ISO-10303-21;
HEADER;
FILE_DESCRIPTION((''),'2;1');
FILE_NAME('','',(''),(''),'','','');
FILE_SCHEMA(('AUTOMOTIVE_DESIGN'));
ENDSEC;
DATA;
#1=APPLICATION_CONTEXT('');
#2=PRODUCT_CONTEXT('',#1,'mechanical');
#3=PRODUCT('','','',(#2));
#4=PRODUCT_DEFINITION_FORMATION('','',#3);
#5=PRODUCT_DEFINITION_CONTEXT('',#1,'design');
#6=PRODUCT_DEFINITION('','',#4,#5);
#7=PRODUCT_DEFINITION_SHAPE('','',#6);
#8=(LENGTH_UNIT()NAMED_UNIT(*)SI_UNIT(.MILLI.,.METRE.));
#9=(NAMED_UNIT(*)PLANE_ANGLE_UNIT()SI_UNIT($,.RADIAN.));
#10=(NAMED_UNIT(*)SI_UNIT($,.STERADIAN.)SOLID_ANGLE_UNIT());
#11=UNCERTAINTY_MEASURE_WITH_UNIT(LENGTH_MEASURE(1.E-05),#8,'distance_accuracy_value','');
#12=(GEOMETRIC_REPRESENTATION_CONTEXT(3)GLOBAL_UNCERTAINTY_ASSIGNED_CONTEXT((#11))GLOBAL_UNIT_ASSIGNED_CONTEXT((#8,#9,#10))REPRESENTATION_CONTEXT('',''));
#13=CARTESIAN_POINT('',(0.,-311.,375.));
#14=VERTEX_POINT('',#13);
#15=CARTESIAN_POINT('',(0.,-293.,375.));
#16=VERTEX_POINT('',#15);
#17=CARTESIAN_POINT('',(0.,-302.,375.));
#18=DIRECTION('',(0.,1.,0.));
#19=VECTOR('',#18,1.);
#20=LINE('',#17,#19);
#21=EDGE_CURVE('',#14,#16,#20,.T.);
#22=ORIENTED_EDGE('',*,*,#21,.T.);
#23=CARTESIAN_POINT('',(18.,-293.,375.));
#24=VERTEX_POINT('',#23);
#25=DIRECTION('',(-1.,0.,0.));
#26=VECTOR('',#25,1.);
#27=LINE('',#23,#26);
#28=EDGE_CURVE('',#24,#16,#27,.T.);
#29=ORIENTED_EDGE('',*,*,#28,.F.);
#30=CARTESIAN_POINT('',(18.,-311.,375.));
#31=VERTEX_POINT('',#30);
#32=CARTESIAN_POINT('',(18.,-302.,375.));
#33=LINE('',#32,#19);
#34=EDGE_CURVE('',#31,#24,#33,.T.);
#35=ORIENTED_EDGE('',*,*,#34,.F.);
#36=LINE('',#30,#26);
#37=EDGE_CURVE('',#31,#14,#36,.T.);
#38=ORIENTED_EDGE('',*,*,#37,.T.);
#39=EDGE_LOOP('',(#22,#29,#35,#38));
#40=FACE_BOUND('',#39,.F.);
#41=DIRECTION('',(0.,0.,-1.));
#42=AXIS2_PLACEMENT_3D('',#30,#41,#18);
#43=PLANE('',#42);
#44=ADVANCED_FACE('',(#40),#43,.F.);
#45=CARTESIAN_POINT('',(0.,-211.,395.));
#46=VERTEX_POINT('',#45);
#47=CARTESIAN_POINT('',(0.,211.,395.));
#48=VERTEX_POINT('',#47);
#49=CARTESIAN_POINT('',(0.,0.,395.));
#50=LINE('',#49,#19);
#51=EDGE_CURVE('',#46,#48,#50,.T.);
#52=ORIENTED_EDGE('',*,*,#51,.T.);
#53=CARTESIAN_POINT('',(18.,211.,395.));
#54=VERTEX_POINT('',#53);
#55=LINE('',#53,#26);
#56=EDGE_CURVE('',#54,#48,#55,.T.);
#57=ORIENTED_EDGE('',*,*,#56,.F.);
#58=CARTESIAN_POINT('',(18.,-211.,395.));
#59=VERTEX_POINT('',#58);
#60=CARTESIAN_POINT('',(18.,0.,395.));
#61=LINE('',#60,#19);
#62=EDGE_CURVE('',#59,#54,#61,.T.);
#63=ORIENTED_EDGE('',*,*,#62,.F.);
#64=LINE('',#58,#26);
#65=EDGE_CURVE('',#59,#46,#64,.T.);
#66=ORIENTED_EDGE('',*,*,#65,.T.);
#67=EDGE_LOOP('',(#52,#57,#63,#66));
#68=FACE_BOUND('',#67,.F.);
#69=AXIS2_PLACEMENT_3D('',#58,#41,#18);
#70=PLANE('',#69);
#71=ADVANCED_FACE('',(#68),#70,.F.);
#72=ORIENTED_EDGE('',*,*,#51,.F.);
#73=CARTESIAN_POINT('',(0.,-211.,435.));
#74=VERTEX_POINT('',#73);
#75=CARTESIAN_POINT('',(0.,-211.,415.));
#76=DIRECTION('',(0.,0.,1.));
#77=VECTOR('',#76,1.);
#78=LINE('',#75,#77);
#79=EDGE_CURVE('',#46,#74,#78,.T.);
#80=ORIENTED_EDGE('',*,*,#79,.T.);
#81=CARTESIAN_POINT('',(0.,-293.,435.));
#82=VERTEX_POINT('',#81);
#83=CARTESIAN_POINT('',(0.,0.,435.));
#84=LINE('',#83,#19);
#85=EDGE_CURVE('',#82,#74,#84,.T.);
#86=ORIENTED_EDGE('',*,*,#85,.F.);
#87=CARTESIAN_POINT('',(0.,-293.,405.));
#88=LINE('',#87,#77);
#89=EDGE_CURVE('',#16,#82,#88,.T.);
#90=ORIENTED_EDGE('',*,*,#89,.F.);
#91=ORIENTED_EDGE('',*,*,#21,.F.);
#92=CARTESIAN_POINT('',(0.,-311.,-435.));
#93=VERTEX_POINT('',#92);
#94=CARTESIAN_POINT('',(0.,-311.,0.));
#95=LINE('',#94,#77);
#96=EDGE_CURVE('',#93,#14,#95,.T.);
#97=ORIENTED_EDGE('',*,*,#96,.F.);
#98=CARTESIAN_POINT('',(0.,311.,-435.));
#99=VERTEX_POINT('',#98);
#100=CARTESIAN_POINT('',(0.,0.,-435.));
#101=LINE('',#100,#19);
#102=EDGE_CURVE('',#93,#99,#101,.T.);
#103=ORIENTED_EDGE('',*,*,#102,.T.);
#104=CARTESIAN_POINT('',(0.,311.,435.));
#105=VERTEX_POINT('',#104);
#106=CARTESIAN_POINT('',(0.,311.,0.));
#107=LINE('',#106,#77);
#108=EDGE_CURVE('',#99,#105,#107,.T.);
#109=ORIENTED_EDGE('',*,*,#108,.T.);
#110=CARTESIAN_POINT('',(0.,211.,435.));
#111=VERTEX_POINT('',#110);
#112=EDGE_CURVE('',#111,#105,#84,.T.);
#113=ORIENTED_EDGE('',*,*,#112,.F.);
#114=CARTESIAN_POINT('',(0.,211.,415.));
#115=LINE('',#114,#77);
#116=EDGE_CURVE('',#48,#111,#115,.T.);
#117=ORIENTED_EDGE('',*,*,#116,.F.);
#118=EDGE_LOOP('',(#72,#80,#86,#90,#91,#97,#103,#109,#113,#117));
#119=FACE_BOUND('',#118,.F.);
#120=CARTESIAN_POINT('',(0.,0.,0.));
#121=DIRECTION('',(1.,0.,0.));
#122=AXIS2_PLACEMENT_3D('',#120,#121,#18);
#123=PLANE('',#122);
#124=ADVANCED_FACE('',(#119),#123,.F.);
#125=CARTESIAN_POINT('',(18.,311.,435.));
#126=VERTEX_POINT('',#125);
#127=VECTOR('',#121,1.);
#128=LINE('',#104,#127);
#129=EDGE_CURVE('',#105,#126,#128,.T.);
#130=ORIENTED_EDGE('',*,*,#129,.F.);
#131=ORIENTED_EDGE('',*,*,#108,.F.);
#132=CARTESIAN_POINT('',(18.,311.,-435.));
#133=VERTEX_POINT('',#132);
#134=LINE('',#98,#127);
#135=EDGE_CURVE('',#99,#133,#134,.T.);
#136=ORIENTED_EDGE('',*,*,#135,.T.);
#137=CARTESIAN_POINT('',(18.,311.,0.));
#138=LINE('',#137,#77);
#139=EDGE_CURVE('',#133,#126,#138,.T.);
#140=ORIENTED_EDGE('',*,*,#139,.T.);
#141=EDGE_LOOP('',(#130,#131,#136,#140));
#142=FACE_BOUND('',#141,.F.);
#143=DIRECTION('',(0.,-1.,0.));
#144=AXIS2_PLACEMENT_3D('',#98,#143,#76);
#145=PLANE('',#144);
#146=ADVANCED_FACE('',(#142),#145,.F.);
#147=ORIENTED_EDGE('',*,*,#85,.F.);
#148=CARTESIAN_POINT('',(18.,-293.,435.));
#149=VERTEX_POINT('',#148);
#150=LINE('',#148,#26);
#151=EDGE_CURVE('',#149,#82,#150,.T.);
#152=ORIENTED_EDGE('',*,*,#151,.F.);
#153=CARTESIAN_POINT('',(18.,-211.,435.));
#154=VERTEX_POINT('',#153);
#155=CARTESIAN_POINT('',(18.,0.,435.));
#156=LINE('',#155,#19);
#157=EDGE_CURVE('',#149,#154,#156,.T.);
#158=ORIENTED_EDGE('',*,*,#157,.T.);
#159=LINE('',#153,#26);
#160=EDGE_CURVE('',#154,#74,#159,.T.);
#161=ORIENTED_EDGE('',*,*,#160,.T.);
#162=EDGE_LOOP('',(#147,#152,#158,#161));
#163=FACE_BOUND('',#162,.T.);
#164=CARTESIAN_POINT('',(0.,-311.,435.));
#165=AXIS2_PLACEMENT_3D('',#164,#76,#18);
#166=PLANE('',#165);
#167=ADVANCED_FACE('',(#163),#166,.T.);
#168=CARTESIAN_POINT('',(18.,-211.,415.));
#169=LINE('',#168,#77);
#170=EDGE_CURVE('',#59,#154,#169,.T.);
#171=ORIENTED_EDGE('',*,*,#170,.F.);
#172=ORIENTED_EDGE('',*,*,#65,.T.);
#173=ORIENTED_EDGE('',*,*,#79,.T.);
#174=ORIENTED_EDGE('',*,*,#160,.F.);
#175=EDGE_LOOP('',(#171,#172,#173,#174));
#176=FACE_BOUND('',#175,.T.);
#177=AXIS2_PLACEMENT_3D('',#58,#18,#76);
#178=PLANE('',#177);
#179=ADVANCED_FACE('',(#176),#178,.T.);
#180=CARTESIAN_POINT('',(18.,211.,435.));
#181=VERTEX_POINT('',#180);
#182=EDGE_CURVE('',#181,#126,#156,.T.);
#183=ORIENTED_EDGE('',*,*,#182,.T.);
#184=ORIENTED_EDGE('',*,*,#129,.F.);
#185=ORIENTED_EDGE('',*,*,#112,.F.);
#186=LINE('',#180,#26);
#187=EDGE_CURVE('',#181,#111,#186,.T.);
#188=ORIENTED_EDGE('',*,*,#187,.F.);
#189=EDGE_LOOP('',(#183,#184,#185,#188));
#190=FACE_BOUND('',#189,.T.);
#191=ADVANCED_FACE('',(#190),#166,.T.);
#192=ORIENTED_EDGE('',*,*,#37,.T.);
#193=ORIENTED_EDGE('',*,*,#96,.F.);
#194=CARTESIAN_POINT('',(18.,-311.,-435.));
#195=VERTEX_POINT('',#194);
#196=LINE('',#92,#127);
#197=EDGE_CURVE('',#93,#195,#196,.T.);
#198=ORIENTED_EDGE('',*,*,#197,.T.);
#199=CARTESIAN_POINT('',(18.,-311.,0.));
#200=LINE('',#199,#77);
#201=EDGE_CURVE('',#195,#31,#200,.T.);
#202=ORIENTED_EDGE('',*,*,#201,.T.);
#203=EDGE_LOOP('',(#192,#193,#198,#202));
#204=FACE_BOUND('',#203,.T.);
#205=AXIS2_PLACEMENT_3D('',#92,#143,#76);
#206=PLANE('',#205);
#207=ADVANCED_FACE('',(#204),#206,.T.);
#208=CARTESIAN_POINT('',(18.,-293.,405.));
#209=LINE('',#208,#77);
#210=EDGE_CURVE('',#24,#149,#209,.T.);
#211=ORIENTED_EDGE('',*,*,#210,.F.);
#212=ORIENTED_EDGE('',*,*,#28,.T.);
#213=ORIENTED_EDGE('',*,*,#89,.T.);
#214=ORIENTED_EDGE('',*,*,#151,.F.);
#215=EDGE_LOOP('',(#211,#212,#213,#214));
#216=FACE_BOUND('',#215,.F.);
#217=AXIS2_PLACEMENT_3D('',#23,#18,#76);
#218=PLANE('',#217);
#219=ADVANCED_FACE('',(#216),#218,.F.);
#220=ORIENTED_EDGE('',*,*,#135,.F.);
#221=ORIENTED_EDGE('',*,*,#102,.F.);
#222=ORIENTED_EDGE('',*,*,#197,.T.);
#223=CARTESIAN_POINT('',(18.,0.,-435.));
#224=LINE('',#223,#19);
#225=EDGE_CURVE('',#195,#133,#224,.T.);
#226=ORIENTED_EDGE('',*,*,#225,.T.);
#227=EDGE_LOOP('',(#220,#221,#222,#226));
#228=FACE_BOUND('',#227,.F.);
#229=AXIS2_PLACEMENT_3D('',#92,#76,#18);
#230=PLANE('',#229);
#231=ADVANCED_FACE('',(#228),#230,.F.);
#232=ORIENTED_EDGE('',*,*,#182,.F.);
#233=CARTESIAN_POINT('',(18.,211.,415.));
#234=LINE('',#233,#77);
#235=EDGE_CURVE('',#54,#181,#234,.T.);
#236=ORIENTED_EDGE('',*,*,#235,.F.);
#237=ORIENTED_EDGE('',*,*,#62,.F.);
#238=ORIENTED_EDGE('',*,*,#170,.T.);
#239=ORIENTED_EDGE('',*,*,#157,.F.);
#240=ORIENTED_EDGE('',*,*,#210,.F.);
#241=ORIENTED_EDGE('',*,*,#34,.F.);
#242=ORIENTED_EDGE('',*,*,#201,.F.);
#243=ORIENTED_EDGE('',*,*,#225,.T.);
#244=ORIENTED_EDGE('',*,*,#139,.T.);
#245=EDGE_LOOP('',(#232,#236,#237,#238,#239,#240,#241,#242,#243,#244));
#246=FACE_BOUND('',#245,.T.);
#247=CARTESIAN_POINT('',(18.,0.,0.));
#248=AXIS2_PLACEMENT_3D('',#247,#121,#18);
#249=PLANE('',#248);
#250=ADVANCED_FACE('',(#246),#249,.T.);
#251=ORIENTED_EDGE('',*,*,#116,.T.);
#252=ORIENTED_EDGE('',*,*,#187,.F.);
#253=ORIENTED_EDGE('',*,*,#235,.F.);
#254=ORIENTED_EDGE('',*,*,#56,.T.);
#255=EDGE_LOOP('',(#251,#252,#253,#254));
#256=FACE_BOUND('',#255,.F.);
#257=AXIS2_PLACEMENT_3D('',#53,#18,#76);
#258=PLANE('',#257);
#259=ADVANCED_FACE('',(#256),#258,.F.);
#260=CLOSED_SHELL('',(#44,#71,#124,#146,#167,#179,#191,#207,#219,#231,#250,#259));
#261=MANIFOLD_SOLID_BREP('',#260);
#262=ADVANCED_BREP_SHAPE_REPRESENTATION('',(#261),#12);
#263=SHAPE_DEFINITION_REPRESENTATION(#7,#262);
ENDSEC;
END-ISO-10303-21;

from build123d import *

# Parameters (mm, degrees)
F0_W     = 622
F0_H     = 870
F1_DEPTH = 18
F2_W     = 18
F2_H     = 60
F2_W_2   = 422
F2_H_2   = 40
F3_DEPTH = 18


with BuildPart() as f1:
    # F0 (on Right) → F1 (new body)
    with BuildSketch(Plane.YZ):
        Rectangle(F0_W, F0_H)
    extrude(amount=F1_DEPTH)

    # F2 (on face) → F3 (cut)
    with BuildSketch(Plane.YZ.offset(18)):
        with Locations((-302, 405)):
            Rectangle(F2_W, F2_H)
        with Locations((0, 415)):
            Rectangle(F2_W_2, F2_H_2)
    extrude(amount=-F3_DEPTH, mode=Mode.SUBTRACT)


solid = f1.part
